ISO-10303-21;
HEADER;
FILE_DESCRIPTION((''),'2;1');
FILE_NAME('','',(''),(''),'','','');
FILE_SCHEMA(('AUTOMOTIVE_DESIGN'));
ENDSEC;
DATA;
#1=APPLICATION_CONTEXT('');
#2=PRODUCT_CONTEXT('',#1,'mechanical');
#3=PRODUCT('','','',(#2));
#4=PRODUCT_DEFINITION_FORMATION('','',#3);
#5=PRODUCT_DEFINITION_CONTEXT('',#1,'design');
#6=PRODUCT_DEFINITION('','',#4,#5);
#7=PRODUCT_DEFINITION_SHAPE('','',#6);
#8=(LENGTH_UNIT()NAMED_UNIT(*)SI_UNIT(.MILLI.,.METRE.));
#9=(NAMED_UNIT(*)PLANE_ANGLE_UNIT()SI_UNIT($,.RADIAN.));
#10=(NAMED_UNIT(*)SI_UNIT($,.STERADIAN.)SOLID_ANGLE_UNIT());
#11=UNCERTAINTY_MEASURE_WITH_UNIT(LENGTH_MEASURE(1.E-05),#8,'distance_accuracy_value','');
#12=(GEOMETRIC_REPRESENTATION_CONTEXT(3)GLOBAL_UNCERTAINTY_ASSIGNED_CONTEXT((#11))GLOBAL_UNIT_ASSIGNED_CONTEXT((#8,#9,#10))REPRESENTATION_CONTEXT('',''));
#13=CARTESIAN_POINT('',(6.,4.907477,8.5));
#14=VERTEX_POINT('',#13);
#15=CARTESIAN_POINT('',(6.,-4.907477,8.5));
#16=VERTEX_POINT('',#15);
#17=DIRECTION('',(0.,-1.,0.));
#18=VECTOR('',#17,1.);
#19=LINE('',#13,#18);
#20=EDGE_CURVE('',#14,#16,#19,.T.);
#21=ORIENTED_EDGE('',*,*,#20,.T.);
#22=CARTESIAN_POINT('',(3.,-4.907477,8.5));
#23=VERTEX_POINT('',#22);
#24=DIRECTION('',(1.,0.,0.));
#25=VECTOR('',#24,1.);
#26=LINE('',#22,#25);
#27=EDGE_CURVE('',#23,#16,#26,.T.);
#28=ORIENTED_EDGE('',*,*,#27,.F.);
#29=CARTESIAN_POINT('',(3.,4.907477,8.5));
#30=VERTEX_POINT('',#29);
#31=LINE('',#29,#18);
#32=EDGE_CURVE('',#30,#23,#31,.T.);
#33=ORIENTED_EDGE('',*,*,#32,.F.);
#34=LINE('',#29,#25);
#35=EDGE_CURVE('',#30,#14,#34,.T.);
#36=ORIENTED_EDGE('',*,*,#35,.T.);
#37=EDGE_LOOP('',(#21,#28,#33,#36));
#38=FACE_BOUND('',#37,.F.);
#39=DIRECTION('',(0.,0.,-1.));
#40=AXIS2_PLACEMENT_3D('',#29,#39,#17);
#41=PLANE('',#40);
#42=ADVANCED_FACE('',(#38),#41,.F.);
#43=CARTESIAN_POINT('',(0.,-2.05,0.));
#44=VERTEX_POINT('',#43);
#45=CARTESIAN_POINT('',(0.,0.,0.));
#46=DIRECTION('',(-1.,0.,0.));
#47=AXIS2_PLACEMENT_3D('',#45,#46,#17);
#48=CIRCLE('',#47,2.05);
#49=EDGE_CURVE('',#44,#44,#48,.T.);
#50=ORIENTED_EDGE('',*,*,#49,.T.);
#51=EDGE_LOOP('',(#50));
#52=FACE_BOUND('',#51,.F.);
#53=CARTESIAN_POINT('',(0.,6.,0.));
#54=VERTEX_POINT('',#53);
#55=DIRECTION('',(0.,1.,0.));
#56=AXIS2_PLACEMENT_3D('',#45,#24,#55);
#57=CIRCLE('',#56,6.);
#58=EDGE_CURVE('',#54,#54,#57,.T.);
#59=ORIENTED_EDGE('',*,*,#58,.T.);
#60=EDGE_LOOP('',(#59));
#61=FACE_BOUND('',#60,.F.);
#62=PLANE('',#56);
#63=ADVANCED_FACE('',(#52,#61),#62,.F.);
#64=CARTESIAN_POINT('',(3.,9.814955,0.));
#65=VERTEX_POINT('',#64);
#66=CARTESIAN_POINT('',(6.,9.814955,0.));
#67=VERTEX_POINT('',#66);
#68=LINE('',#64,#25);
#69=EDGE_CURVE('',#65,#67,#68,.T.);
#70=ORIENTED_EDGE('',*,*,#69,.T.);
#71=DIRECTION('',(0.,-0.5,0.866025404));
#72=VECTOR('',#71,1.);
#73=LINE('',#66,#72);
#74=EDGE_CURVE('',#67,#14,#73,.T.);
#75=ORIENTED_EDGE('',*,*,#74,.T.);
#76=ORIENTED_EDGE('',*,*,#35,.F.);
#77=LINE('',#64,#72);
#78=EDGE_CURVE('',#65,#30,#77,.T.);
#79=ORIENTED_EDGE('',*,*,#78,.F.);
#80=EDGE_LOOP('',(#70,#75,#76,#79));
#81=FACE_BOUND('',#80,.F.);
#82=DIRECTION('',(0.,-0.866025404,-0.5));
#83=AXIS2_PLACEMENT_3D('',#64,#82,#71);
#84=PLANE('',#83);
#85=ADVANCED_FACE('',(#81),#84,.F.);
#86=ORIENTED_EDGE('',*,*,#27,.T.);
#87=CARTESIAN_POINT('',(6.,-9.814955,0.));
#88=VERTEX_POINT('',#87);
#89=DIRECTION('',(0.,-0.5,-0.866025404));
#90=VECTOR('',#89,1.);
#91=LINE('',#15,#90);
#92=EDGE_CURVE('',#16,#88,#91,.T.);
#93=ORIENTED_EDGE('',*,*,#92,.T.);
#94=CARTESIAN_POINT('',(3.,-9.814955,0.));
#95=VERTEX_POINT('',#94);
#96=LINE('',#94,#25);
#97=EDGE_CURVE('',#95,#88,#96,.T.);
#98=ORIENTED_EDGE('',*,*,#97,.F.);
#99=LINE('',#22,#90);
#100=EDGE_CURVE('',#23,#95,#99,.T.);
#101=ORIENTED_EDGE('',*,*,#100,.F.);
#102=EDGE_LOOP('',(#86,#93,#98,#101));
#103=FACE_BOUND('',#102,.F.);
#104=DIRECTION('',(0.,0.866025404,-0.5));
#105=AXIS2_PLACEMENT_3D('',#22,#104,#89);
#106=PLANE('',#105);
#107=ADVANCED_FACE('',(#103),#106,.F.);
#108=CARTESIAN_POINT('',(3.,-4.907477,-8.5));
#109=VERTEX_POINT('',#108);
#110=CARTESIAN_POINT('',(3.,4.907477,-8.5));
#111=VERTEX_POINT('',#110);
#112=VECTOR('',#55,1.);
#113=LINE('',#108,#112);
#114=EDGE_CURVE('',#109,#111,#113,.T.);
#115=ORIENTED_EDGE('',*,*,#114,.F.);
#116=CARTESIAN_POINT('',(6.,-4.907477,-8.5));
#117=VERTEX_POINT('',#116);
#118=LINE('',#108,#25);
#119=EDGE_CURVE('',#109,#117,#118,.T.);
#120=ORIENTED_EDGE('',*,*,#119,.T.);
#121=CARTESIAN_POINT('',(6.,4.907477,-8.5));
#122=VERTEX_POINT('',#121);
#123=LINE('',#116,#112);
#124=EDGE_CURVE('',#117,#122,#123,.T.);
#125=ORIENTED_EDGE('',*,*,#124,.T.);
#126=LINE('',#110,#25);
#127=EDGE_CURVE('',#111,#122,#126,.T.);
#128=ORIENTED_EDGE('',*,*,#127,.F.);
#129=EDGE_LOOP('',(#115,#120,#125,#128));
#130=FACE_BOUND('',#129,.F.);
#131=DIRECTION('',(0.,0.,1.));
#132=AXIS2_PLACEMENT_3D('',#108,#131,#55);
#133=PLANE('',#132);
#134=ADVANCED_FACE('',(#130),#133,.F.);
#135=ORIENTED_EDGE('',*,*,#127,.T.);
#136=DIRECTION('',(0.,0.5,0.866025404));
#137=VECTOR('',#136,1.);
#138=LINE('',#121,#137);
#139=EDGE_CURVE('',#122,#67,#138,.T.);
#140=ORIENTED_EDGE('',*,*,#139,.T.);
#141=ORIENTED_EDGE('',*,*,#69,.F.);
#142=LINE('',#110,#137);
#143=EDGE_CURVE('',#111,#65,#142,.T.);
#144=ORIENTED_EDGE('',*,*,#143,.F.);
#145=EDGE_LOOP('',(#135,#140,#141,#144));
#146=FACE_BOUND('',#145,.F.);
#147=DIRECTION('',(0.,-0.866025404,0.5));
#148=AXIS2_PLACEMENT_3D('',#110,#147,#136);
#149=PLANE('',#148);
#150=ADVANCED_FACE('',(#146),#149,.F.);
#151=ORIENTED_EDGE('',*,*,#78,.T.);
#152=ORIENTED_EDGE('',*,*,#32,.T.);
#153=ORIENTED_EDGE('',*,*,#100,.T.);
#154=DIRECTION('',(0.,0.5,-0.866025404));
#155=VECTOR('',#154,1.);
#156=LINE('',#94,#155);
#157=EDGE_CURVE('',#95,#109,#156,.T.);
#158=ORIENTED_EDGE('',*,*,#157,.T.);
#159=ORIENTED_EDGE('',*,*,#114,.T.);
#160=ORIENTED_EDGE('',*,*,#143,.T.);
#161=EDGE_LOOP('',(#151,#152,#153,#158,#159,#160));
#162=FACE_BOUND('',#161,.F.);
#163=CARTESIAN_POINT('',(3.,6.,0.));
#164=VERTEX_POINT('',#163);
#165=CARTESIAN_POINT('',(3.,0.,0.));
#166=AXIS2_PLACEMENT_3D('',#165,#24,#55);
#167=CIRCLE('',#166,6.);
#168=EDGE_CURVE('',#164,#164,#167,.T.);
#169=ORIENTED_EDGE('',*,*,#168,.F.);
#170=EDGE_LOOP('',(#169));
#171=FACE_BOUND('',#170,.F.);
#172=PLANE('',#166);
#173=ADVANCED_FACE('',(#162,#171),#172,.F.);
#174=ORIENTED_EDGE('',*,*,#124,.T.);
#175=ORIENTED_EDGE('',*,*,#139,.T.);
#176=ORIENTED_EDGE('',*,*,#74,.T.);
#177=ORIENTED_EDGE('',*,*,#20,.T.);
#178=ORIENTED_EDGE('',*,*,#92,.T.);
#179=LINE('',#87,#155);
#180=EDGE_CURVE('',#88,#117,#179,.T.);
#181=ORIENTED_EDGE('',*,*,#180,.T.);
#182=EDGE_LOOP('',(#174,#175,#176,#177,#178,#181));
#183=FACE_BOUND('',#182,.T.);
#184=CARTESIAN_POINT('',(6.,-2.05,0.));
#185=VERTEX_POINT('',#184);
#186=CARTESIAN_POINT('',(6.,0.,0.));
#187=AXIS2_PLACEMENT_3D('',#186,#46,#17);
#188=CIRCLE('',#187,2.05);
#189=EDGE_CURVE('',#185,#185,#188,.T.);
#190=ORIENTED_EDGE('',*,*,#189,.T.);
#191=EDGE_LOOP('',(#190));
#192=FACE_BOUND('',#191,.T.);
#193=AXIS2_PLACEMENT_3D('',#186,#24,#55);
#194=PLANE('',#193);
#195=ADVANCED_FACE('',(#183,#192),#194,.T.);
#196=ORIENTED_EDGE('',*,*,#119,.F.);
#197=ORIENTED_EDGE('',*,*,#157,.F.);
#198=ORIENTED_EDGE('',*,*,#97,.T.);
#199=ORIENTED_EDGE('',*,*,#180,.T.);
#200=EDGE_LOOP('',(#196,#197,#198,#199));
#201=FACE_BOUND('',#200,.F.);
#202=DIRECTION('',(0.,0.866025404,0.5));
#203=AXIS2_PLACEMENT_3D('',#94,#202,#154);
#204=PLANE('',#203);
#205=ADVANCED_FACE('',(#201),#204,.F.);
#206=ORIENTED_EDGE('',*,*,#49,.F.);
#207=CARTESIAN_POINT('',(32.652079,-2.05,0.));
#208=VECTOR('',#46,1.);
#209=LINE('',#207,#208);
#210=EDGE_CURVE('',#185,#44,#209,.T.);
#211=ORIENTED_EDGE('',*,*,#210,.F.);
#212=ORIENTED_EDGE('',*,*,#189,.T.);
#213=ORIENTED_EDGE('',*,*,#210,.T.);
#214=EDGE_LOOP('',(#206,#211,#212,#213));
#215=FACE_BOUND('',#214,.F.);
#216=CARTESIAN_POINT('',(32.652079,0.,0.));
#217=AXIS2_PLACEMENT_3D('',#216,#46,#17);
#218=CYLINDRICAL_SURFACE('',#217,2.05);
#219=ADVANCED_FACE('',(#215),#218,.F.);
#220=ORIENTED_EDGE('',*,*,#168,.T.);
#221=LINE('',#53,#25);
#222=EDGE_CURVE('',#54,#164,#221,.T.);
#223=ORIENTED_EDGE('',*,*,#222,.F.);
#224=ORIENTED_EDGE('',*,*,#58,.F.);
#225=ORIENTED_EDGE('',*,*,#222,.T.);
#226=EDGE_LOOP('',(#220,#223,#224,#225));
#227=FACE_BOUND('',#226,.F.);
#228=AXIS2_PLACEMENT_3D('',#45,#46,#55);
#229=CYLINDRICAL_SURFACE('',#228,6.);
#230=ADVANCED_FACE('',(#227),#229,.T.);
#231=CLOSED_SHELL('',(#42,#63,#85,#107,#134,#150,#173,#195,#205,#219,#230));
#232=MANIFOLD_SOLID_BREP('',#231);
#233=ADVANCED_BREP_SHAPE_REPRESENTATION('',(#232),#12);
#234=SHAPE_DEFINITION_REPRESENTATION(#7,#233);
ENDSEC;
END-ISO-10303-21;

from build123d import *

# Parameters (mm, degrees)
F0_R     = 6
F1_DEPTH = 3
F3_DEPTH = 3
F5_D     = 4.1


with BuildPart() as f1:
    # F0 (on Right) → F1 (new body)
    with BuildSketch(Plane.YZ):
        Circle(F0_R)
    extrude(amount=F1_DEPTH)

    # F2 (on face) → F3 (join)
    with BuildSketch(Plane.YZ.offset(3)):
        Polygon((4.9074772881, 8.5), (-4.9074772881, 8.5), (-9.8149545762, 0), (-4.9074772881, -8.5), (4.9074772881, -8.5), (9.8149545762, 0), align=None)
    extrude(amount=F3_DEPTH)

    # F5 (through all)
    with Locations(Plane.YZ.offset(6)):
        with Locations((0, 0)):
            Hole(F5_D / 2)


solid = f1.part
